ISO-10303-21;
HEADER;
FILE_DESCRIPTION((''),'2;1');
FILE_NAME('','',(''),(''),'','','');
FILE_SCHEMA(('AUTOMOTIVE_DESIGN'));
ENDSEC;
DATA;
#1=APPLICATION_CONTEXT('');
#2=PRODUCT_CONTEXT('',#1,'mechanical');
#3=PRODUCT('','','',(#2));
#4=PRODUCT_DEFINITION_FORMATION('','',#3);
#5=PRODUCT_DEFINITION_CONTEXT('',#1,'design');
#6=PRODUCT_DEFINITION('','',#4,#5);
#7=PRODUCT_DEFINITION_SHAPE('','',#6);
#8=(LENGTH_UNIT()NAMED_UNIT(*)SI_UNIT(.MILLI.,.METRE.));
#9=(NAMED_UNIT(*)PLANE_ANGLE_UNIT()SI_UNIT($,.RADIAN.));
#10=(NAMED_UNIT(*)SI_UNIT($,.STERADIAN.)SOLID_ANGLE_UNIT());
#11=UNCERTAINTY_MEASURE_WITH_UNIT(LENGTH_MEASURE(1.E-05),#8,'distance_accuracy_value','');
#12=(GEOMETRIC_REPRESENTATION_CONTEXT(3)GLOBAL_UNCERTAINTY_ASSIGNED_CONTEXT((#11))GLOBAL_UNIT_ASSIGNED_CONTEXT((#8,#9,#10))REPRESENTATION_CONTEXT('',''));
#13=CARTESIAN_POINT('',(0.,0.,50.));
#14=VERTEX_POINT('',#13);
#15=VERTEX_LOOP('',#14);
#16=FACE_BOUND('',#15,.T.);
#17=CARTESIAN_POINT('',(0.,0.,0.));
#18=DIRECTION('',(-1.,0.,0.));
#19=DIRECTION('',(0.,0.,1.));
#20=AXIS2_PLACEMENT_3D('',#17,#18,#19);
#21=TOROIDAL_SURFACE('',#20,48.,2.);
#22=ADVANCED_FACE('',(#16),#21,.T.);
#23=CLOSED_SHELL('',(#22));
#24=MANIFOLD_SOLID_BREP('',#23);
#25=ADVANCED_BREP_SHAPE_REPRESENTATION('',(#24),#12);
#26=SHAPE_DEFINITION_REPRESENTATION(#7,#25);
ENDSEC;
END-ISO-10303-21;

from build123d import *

# Parameters (mm, degrees)
CROQUIS1_R = 2


with BuildPart() as part:
    # Croquis1 → Revolución1 (revolve)
    with BuildSketch(Plane.XY, mode=Mode.PRIVATE) as revoluci_n1_sk:
        with Locations((0, 48)):
            Circle(CROQUIS1_R)
    revolve(revoluci_n1_sk.sketch.rotate(Axis((0, 0, 0), (1, 0, 0)), 90), axis=Axis((0, 0, 0), (1, 0, 0)))


solid = part.part
